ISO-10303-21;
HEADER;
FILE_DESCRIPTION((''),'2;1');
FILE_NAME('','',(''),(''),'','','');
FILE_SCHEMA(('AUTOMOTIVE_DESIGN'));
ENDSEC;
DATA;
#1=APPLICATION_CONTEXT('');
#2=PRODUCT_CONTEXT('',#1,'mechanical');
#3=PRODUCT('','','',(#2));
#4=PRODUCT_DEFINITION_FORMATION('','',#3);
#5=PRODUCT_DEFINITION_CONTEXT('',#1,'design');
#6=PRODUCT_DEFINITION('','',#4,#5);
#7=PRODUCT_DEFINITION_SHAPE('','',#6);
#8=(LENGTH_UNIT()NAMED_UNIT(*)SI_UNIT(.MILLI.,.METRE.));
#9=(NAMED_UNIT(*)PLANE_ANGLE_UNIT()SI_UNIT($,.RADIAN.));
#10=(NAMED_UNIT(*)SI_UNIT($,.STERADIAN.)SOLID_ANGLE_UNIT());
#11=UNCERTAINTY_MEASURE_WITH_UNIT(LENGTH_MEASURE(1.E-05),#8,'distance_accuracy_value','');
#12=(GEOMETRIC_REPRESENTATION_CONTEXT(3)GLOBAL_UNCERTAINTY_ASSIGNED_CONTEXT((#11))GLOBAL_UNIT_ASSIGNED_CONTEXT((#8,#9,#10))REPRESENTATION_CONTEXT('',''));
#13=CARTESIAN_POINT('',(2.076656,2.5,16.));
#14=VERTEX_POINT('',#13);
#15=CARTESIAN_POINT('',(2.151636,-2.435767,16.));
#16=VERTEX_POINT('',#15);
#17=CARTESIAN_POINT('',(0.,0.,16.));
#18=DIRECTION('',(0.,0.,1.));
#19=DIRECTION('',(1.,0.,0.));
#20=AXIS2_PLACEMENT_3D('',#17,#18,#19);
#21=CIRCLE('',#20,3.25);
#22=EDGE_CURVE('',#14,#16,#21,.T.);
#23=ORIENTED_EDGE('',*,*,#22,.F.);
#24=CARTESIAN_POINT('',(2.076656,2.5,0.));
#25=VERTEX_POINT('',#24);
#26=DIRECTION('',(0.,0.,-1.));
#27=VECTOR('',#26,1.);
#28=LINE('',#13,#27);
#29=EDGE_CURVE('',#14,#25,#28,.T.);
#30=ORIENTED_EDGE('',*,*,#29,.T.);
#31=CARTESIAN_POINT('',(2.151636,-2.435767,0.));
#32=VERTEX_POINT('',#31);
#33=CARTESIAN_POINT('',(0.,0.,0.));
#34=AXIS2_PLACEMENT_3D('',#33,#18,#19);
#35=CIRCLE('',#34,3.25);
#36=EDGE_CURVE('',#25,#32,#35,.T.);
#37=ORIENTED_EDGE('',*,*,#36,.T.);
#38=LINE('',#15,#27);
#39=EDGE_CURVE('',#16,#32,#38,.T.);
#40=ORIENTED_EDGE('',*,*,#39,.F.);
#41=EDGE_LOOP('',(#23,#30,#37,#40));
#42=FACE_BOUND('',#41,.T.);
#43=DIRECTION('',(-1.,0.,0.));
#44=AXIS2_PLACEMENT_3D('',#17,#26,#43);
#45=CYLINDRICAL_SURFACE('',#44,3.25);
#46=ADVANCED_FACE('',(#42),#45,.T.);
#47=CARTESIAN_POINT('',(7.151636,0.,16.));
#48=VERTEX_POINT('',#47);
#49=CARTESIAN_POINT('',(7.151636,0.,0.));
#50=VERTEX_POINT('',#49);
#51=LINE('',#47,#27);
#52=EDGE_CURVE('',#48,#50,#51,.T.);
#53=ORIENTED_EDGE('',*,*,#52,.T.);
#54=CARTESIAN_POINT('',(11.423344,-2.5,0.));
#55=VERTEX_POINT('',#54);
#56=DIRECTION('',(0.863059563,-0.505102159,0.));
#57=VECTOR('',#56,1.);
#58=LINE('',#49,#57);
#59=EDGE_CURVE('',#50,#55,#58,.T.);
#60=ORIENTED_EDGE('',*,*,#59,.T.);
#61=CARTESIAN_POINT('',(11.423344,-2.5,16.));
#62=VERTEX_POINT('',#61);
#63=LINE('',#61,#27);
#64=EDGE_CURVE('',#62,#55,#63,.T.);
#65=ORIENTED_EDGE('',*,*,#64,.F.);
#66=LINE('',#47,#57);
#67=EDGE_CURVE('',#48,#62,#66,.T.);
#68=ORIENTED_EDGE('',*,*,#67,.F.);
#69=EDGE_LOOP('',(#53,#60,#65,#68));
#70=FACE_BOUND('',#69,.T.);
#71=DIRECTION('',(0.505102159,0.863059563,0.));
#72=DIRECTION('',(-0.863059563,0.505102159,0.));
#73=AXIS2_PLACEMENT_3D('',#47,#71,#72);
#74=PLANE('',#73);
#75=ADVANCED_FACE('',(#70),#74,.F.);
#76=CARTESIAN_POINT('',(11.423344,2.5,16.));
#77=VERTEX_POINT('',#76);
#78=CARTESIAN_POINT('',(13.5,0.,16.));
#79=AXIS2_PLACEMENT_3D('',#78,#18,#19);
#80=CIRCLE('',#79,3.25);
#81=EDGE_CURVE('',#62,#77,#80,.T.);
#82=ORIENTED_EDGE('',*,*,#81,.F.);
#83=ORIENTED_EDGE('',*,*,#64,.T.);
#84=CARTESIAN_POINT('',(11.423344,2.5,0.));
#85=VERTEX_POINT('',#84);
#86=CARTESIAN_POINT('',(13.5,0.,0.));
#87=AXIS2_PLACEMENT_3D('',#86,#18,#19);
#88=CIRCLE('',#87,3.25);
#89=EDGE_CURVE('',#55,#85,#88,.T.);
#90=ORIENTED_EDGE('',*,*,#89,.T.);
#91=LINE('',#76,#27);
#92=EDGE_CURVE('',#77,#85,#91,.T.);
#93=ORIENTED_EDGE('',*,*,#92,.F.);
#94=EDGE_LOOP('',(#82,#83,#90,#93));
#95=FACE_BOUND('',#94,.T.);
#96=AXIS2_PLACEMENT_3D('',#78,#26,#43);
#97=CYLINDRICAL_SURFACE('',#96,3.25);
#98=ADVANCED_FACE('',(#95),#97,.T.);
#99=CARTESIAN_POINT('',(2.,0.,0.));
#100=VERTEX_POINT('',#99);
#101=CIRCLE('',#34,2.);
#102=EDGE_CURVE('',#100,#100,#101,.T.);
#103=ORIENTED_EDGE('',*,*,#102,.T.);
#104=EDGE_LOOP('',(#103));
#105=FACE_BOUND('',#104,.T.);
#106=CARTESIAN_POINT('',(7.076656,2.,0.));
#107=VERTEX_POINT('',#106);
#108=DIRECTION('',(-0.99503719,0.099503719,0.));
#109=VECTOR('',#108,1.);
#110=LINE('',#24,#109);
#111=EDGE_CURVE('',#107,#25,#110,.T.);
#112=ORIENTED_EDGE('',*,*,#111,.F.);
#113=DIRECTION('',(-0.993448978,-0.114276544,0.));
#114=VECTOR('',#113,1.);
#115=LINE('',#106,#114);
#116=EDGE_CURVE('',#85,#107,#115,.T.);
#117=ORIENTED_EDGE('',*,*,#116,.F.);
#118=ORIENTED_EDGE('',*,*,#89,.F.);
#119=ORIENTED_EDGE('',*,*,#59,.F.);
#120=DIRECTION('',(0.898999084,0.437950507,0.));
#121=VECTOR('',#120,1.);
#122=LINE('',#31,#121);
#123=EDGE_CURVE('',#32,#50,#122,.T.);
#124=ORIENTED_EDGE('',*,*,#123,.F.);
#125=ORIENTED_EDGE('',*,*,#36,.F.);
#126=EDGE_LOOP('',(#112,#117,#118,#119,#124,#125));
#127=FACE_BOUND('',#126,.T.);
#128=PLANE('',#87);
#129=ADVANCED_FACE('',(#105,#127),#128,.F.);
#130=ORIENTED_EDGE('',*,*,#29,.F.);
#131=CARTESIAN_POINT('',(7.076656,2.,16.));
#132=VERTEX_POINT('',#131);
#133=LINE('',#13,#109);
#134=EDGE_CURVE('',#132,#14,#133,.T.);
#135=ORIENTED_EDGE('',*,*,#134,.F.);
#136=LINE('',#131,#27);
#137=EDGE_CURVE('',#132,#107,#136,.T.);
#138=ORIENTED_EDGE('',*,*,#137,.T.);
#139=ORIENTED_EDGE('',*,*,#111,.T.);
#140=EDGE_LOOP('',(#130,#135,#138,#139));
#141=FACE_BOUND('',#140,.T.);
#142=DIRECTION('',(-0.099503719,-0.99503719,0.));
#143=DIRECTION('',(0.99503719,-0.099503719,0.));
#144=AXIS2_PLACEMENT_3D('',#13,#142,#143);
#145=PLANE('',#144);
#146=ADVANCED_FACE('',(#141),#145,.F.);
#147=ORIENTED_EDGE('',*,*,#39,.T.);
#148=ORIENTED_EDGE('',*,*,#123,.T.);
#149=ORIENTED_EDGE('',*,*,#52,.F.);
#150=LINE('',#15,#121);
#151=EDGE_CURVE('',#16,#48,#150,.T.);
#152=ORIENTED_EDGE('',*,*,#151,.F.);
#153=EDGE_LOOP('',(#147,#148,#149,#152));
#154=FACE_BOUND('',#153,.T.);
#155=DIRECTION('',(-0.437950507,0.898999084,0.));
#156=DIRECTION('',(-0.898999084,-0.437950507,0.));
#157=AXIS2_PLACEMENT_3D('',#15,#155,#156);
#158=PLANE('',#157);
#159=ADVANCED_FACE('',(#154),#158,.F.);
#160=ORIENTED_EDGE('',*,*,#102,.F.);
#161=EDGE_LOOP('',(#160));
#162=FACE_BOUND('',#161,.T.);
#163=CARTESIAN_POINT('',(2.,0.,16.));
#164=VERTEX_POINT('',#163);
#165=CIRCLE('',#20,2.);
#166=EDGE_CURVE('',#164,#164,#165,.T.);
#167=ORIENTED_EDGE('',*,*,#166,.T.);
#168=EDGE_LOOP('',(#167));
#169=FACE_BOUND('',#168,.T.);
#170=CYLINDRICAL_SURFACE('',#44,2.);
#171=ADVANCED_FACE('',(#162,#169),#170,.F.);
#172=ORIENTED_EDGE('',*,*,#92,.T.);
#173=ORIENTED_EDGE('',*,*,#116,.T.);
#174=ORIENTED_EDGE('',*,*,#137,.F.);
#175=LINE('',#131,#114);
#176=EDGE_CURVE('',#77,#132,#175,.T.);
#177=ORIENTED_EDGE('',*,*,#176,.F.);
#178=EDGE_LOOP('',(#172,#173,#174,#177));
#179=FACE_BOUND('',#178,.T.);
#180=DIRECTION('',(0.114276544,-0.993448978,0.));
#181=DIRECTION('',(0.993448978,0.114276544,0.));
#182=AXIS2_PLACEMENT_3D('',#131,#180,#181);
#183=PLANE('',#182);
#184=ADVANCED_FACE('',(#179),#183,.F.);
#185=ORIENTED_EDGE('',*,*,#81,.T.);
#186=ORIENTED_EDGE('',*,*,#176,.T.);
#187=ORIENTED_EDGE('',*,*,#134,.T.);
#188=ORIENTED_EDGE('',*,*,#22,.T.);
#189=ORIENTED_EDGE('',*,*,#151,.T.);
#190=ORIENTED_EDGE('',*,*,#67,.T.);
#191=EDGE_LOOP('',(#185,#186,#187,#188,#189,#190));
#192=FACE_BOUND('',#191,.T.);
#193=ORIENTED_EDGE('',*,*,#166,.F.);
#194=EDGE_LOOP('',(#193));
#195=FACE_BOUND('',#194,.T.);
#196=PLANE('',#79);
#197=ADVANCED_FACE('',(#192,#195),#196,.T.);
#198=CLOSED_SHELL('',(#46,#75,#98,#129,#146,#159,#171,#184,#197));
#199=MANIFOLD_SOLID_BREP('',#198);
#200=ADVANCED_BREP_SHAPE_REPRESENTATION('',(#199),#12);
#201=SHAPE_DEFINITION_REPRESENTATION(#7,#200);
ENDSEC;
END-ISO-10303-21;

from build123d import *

# Parameters (mm, degrees)
SKETCH1_R           = 2
BOSS_EXTRUDE1_DEPTH = 16


with BuildPart() as part:
    # Sketch1 → Boss-Extrude1 (new body)
    with BuildSketch(Plane.XY):
        with BuildLine():
            Line((2.076655966, 2.5), (7.076655966, 2))
            Line((7.076655966, 2), (11.423344034, 2.5))
            ThreePointArc((11.423344034, 2.5), (16.75, 0), (11.423344034, -2.5))
            Line((11.423344034, -2.5), (7.151636088, 0))
            Line((7.151636088, 0), (2.151636088, -2.43576726))
            ThreePointArc((2.151636088, -2.43576726), (-3.249625061, -0.049365635), (2.076655966, 2.5))
        make_face()
        Circle(SKETCH1_R, mode=Mode.SUBTRACT)
    extrude(amount=BOSS_EXTRUDE1_DEPTH)


solid = part.part
